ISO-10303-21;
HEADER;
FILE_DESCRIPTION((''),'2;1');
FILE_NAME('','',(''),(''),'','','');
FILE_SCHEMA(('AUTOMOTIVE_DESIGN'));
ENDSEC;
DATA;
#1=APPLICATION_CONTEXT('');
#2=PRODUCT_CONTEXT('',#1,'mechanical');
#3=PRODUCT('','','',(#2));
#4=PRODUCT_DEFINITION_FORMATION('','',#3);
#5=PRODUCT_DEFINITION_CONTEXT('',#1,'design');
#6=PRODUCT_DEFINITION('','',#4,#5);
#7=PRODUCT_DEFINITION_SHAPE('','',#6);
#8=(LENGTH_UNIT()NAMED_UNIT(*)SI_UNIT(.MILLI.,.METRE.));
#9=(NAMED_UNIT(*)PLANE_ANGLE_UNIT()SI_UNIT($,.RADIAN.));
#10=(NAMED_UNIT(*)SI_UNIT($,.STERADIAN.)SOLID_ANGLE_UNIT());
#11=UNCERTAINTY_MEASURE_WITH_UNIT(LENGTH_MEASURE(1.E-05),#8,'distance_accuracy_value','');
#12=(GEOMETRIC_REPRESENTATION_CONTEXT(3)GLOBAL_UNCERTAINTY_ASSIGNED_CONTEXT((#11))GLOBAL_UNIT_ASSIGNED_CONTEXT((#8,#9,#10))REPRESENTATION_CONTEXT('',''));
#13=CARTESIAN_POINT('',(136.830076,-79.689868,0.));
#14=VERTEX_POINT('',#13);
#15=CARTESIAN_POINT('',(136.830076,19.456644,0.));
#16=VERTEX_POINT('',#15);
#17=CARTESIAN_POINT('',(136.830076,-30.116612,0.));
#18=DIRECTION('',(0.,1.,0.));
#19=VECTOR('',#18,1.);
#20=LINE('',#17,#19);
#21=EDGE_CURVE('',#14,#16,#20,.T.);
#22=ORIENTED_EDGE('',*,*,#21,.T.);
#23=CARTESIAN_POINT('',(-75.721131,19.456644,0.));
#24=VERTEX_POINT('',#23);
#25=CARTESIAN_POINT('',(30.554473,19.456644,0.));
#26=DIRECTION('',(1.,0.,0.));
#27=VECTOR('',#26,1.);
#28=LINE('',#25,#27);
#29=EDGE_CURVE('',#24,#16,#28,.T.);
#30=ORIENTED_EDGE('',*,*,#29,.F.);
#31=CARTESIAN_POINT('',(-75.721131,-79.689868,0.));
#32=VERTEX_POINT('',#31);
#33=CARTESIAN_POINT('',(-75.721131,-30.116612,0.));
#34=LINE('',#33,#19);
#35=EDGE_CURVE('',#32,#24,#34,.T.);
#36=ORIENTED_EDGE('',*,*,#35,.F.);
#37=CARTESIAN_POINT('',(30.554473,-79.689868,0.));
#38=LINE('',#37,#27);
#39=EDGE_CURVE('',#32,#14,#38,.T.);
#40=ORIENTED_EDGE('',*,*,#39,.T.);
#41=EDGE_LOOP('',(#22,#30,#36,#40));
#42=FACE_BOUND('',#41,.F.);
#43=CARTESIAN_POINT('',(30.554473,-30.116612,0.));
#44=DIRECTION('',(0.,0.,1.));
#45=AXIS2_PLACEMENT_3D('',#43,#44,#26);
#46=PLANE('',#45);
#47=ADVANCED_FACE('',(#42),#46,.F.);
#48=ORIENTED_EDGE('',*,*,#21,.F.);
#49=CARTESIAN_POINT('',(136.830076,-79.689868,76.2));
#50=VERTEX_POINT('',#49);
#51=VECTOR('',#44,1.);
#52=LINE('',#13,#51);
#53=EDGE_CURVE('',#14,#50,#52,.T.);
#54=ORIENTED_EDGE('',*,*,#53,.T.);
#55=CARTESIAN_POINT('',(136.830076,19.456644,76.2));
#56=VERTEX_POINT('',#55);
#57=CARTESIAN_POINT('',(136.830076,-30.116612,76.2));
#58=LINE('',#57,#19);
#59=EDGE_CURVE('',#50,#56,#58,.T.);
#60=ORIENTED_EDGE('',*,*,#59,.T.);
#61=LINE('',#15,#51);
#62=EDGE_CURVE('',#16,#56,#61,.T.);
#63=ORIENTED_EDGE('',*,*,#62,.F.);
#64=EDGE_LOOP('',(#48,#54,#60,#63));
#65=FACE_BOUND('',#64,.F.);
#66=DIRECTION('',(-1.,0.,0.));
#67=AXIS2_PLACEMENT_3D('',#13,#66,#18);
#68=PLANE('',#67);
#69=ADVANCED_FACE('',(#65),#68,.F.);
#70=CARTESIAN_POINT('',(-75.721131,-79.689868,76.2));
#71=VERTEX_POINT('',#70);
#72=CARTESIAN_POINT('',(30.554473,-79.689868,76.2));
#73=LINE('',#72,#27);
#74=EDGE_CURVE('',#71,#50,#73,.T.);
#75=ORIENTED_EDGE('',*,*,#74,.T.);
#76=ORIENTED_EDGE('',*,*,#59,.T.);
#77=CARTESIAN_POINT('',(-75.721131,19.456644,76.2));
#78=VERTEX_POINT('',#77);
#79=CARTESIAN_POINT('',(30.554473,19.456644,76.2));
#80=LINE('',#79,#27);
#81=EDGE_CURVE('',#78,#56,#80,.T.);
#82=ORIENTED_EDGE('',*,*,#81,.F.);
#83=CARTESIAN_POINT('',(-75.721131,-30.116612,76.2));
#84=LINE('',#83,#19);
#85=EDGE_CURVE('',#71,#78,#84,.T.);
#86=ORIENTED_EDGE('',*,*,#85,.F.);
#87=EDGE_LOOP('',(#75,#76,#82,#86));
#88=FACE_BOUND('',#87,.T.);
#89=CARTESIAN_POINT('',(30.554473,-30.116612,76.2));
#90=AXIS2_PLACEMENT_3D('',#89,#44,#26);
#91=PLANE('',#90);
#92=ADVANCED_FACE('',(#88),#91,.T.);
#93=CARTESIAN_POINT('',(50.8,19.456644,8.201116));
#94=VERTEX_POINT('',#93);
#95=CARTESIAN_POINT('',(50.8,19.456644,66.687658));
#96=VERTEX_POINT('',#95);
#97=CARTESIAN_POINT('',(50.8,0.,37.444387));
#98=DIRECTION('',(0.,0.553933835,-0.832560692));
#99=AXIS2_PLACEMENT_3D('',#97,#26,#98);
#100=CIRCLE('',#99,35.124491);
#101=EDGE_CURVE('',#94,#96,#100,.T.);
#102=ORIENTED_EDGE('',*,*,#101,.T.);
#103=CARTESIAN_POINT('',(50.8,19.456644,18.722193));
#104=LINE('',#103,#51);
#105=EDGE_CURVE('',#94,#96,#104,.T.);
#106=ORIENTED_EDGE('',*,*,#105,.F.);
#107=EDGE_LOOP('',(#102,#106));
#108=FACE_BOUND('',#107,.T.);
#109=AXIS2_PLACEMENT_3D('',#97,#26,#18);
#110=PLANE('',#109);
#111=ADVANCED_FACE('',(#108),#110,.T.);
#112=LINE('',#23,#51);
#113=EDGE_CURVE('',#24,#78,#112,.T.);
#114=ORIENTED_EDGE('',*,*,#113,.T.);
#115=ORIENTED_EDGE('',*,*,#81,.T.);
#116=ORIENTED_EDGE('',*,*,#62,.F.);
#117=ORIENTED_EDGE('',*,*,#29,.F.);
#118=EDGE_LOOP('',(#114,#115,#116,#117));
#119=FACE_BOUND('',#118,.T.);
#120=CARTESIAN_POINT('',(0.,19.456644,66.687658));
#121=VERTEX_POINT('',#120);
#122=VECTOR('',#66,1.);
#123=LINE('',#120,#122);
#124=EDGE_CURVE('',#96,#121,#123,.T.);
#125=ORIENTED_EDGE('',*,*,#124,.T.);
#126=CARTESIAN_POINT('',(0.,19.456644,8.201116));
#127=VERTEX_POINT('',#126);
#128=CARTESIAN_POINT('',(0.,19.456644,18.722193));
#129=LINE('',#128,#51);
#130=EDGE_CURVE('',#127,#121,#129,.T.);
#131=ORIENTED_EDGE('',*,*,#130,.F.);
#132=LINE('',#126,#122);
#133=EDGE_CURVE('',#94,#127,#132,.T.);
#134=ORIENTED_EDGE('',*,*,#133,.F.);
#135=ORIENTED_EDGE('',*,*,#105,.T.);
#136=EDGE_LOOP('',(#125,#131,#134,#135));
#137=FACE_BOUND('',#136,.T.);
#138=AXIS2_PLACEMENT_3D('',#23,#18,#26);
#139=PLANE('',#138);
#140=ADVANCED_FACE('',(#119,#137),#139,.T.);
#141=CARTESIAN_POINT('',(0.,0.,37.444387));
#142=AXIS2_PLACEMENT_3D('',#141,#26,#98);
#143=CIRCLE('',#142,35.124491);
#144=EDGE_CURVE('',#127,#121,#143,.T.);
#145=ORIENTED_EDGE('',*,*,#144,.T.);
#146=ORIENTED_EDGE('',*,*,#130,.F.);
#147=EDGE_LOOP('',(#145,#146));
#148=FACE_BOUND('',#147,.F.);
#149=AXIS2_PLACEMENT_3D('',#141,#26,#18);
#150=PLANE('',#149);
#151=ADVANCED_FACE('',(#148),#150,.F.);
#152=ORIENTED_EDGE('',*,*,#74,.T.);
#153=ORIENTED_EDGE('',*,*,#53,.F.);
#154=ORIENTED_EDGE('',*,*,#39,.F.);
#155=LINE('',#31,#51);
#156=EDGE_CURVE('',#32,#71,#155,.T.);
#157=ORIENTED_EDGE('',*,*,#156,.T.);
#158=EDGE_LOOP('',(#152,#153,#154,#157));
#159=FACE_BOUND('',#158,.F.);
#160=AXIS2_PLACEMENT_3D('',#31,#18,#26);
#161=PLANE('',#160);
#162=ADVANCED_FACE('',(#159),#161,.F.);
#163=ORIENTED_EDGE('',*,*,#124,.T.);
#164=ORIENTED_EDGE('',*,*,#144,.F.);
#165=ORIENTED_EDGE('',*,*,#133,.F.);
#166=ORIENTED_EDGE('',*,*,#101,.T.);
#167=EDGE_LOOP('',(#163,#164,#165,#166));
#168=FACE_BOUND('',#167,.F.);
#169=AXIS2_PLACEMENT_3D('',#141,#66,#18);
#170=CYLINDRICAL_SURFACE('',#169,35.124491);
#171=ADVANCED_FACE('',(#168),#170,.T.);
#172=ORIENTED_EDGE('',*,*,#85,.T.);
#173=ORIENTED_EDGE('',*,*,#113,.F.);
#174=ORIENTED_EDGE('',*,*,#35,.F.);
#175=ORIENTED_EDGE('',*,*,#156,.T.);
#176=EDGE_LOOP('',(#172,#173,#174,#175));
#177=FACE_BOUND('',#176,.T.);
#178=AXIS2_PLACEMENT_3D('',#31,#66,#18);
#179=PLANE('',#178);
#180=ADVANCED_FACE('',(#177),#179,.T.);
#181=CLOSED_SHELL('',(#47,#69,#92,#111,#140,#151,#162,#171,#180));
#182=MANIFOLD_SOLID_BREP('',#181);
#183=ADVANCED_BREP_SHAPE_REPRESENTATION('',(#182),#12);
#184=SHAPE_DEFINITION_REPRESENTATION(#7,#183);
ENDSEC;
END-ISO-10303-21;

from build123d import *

# Parameters (mm, degrees)
F0_R     = 35.124491
F1_DEPTH = 50.8
F2_W     = 212.551207
F2_H     = 99.146512
F3_DEPTH = 76.2


with BuildPart() as f1:
    # F0 (on Right) → F1 (new body)
    with BuildSketch(Plane.YZ):
        with Locations((0, 37.444387)):
            Circle(F0_R)
    extrude(amount=F1_DEPTH)

    # F2 (on Top) → F3 (join)
    with BuildSketch(Plane.XY):
        with Locations((30.554473, -30.116612)):
            Rectangle(F2_W, F2_H)
    extrude(amount=F3_DEPTH)


solid = f1.part
